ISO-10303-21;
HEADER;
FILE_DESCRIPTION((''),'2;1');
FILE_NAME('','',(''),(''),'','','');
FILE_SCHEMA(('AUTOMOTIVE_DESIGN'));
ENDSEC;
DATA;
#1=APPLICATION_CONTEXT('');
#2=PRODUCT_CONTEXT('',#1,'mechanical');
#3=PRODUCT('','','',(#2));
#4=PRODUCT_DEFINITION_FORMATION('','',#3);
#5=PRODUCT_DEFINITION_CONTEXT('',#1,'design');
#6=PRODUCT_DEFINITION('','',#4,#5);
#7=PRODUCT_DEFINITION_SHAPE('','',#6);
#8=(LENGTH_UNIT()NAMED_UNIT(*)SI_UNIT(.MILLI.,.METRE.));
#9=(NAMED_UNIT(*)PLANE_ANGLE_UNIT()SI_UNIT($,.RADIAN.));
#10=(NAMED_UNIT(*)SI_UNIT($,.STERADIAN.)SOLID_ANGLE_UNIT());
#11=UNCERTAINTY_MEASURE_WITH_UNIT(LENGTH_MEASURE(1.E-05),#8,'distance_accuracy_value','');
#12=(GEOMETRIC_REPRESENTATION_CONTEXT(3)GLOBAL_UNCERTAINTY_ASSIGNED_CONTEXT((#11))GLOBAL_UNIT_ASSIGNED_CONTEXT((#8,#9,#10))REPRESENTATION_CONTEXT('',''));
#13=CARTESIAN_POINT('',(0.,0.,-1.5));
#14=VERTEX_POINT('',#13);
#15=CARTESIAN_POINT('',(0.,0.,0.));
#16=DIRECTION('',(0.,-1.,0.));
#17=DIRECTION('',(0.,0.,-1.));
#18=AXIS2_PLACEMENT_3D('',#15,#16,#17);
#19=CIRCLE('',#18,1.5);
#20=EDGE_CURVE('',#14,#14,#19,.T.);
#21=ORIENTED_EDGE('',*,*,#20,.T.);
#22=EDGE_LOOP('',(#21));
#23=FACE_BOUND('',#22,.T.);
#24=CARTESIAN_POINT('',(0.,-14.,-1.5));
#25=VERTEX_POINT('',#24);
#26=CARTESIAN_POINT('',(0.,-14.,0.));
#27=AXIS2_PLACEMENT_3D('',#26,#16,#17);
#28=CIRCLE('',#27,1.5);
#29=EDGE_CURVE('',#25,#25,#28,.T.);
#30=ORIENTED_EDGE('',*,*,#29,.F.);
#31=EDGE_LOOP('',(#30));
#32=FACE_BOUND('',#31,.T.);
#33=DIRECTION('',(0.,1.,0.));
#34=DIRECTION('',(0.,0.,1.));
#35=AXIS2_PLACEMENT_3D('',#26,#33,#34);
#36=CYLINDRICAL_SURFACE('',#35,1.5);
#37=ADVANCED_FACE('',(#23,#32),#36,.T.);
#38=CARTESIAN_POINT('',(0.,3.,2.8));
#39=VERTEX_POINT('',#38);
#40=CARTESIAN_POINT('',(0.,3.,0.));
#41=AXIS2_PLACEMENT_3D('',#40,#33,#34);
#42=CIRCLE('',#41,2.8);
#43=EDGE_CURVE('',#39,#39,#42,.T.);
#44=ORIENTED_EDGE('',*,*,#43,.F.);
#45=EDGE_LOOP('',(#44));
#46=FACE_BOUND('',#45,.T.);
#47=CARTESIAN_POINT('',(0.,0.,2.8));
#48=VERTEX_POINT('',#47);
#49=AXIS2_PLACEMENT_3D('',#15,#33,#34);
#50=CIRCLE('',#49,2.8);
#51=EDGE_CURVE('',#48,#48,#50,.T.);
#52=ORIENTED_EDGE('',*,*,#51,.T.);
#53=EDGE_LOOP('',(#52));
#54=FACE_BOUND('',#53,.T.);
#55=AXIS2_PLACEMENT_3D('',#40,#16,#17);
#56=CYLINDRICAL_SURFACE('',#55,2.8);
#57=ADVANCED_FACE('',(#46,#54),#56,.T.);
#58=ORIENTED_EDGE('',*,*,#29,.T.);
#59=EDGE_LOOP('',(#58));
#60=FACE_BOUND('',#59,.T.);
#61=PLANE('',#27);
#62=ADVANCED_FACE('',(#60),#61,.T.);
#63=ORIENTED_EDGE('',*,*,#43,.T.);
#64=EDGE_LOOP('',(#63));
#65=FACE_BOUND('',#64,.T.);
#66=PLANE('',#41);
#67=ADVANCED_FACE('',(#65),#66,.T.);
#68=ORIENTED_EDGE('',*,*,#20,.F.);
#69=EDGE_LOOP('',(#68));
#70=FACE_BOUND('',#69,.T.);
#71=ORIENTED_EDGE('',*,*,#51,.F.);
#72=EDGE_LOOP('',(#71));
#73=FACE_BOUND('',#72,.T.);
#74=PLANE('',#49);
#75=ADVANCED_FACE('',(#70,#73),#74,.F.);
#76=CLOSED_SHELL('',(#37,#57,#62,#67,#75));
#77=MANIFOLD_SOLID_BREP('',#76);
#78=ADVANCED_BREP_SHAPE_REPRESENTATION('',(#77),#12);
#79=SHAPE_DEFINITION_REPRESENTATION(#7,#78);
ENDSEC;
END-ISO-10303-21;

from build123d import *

# Parameters (mm, degrees)
SKETCH_1_R      = 2.8
EXTRUDE_1_DEPTH = 3
SKETCH_2_R      = 1.5
EXTRUDE_2_DEPTH = 14


with BuildPart() as part:
    # 草图1 → 凸台-拉伸1 (new body)
    with BuildSketch(Plane(origin=(0, 0, 0), x_dir=(1, 0, 0), z_dir=(0, 1, 0))):
        with Locations(Location((0, 0, 0), (0, 0, 270))):
            Circle(SKETCH_1_R)
    extrude(amount=EXTRUDE_1_DEPTH)

    # 草图2 → 凸台-拉伸2 (add)
    with BuildSketch(Plane.XZ):
        with Locations(Location((0, 0, 0), (0, 0, 270))):
            Circle(SKETCH_2_R)
    extrude(amount=EXTRUDE_2_DEPTH)


solid = part.part
